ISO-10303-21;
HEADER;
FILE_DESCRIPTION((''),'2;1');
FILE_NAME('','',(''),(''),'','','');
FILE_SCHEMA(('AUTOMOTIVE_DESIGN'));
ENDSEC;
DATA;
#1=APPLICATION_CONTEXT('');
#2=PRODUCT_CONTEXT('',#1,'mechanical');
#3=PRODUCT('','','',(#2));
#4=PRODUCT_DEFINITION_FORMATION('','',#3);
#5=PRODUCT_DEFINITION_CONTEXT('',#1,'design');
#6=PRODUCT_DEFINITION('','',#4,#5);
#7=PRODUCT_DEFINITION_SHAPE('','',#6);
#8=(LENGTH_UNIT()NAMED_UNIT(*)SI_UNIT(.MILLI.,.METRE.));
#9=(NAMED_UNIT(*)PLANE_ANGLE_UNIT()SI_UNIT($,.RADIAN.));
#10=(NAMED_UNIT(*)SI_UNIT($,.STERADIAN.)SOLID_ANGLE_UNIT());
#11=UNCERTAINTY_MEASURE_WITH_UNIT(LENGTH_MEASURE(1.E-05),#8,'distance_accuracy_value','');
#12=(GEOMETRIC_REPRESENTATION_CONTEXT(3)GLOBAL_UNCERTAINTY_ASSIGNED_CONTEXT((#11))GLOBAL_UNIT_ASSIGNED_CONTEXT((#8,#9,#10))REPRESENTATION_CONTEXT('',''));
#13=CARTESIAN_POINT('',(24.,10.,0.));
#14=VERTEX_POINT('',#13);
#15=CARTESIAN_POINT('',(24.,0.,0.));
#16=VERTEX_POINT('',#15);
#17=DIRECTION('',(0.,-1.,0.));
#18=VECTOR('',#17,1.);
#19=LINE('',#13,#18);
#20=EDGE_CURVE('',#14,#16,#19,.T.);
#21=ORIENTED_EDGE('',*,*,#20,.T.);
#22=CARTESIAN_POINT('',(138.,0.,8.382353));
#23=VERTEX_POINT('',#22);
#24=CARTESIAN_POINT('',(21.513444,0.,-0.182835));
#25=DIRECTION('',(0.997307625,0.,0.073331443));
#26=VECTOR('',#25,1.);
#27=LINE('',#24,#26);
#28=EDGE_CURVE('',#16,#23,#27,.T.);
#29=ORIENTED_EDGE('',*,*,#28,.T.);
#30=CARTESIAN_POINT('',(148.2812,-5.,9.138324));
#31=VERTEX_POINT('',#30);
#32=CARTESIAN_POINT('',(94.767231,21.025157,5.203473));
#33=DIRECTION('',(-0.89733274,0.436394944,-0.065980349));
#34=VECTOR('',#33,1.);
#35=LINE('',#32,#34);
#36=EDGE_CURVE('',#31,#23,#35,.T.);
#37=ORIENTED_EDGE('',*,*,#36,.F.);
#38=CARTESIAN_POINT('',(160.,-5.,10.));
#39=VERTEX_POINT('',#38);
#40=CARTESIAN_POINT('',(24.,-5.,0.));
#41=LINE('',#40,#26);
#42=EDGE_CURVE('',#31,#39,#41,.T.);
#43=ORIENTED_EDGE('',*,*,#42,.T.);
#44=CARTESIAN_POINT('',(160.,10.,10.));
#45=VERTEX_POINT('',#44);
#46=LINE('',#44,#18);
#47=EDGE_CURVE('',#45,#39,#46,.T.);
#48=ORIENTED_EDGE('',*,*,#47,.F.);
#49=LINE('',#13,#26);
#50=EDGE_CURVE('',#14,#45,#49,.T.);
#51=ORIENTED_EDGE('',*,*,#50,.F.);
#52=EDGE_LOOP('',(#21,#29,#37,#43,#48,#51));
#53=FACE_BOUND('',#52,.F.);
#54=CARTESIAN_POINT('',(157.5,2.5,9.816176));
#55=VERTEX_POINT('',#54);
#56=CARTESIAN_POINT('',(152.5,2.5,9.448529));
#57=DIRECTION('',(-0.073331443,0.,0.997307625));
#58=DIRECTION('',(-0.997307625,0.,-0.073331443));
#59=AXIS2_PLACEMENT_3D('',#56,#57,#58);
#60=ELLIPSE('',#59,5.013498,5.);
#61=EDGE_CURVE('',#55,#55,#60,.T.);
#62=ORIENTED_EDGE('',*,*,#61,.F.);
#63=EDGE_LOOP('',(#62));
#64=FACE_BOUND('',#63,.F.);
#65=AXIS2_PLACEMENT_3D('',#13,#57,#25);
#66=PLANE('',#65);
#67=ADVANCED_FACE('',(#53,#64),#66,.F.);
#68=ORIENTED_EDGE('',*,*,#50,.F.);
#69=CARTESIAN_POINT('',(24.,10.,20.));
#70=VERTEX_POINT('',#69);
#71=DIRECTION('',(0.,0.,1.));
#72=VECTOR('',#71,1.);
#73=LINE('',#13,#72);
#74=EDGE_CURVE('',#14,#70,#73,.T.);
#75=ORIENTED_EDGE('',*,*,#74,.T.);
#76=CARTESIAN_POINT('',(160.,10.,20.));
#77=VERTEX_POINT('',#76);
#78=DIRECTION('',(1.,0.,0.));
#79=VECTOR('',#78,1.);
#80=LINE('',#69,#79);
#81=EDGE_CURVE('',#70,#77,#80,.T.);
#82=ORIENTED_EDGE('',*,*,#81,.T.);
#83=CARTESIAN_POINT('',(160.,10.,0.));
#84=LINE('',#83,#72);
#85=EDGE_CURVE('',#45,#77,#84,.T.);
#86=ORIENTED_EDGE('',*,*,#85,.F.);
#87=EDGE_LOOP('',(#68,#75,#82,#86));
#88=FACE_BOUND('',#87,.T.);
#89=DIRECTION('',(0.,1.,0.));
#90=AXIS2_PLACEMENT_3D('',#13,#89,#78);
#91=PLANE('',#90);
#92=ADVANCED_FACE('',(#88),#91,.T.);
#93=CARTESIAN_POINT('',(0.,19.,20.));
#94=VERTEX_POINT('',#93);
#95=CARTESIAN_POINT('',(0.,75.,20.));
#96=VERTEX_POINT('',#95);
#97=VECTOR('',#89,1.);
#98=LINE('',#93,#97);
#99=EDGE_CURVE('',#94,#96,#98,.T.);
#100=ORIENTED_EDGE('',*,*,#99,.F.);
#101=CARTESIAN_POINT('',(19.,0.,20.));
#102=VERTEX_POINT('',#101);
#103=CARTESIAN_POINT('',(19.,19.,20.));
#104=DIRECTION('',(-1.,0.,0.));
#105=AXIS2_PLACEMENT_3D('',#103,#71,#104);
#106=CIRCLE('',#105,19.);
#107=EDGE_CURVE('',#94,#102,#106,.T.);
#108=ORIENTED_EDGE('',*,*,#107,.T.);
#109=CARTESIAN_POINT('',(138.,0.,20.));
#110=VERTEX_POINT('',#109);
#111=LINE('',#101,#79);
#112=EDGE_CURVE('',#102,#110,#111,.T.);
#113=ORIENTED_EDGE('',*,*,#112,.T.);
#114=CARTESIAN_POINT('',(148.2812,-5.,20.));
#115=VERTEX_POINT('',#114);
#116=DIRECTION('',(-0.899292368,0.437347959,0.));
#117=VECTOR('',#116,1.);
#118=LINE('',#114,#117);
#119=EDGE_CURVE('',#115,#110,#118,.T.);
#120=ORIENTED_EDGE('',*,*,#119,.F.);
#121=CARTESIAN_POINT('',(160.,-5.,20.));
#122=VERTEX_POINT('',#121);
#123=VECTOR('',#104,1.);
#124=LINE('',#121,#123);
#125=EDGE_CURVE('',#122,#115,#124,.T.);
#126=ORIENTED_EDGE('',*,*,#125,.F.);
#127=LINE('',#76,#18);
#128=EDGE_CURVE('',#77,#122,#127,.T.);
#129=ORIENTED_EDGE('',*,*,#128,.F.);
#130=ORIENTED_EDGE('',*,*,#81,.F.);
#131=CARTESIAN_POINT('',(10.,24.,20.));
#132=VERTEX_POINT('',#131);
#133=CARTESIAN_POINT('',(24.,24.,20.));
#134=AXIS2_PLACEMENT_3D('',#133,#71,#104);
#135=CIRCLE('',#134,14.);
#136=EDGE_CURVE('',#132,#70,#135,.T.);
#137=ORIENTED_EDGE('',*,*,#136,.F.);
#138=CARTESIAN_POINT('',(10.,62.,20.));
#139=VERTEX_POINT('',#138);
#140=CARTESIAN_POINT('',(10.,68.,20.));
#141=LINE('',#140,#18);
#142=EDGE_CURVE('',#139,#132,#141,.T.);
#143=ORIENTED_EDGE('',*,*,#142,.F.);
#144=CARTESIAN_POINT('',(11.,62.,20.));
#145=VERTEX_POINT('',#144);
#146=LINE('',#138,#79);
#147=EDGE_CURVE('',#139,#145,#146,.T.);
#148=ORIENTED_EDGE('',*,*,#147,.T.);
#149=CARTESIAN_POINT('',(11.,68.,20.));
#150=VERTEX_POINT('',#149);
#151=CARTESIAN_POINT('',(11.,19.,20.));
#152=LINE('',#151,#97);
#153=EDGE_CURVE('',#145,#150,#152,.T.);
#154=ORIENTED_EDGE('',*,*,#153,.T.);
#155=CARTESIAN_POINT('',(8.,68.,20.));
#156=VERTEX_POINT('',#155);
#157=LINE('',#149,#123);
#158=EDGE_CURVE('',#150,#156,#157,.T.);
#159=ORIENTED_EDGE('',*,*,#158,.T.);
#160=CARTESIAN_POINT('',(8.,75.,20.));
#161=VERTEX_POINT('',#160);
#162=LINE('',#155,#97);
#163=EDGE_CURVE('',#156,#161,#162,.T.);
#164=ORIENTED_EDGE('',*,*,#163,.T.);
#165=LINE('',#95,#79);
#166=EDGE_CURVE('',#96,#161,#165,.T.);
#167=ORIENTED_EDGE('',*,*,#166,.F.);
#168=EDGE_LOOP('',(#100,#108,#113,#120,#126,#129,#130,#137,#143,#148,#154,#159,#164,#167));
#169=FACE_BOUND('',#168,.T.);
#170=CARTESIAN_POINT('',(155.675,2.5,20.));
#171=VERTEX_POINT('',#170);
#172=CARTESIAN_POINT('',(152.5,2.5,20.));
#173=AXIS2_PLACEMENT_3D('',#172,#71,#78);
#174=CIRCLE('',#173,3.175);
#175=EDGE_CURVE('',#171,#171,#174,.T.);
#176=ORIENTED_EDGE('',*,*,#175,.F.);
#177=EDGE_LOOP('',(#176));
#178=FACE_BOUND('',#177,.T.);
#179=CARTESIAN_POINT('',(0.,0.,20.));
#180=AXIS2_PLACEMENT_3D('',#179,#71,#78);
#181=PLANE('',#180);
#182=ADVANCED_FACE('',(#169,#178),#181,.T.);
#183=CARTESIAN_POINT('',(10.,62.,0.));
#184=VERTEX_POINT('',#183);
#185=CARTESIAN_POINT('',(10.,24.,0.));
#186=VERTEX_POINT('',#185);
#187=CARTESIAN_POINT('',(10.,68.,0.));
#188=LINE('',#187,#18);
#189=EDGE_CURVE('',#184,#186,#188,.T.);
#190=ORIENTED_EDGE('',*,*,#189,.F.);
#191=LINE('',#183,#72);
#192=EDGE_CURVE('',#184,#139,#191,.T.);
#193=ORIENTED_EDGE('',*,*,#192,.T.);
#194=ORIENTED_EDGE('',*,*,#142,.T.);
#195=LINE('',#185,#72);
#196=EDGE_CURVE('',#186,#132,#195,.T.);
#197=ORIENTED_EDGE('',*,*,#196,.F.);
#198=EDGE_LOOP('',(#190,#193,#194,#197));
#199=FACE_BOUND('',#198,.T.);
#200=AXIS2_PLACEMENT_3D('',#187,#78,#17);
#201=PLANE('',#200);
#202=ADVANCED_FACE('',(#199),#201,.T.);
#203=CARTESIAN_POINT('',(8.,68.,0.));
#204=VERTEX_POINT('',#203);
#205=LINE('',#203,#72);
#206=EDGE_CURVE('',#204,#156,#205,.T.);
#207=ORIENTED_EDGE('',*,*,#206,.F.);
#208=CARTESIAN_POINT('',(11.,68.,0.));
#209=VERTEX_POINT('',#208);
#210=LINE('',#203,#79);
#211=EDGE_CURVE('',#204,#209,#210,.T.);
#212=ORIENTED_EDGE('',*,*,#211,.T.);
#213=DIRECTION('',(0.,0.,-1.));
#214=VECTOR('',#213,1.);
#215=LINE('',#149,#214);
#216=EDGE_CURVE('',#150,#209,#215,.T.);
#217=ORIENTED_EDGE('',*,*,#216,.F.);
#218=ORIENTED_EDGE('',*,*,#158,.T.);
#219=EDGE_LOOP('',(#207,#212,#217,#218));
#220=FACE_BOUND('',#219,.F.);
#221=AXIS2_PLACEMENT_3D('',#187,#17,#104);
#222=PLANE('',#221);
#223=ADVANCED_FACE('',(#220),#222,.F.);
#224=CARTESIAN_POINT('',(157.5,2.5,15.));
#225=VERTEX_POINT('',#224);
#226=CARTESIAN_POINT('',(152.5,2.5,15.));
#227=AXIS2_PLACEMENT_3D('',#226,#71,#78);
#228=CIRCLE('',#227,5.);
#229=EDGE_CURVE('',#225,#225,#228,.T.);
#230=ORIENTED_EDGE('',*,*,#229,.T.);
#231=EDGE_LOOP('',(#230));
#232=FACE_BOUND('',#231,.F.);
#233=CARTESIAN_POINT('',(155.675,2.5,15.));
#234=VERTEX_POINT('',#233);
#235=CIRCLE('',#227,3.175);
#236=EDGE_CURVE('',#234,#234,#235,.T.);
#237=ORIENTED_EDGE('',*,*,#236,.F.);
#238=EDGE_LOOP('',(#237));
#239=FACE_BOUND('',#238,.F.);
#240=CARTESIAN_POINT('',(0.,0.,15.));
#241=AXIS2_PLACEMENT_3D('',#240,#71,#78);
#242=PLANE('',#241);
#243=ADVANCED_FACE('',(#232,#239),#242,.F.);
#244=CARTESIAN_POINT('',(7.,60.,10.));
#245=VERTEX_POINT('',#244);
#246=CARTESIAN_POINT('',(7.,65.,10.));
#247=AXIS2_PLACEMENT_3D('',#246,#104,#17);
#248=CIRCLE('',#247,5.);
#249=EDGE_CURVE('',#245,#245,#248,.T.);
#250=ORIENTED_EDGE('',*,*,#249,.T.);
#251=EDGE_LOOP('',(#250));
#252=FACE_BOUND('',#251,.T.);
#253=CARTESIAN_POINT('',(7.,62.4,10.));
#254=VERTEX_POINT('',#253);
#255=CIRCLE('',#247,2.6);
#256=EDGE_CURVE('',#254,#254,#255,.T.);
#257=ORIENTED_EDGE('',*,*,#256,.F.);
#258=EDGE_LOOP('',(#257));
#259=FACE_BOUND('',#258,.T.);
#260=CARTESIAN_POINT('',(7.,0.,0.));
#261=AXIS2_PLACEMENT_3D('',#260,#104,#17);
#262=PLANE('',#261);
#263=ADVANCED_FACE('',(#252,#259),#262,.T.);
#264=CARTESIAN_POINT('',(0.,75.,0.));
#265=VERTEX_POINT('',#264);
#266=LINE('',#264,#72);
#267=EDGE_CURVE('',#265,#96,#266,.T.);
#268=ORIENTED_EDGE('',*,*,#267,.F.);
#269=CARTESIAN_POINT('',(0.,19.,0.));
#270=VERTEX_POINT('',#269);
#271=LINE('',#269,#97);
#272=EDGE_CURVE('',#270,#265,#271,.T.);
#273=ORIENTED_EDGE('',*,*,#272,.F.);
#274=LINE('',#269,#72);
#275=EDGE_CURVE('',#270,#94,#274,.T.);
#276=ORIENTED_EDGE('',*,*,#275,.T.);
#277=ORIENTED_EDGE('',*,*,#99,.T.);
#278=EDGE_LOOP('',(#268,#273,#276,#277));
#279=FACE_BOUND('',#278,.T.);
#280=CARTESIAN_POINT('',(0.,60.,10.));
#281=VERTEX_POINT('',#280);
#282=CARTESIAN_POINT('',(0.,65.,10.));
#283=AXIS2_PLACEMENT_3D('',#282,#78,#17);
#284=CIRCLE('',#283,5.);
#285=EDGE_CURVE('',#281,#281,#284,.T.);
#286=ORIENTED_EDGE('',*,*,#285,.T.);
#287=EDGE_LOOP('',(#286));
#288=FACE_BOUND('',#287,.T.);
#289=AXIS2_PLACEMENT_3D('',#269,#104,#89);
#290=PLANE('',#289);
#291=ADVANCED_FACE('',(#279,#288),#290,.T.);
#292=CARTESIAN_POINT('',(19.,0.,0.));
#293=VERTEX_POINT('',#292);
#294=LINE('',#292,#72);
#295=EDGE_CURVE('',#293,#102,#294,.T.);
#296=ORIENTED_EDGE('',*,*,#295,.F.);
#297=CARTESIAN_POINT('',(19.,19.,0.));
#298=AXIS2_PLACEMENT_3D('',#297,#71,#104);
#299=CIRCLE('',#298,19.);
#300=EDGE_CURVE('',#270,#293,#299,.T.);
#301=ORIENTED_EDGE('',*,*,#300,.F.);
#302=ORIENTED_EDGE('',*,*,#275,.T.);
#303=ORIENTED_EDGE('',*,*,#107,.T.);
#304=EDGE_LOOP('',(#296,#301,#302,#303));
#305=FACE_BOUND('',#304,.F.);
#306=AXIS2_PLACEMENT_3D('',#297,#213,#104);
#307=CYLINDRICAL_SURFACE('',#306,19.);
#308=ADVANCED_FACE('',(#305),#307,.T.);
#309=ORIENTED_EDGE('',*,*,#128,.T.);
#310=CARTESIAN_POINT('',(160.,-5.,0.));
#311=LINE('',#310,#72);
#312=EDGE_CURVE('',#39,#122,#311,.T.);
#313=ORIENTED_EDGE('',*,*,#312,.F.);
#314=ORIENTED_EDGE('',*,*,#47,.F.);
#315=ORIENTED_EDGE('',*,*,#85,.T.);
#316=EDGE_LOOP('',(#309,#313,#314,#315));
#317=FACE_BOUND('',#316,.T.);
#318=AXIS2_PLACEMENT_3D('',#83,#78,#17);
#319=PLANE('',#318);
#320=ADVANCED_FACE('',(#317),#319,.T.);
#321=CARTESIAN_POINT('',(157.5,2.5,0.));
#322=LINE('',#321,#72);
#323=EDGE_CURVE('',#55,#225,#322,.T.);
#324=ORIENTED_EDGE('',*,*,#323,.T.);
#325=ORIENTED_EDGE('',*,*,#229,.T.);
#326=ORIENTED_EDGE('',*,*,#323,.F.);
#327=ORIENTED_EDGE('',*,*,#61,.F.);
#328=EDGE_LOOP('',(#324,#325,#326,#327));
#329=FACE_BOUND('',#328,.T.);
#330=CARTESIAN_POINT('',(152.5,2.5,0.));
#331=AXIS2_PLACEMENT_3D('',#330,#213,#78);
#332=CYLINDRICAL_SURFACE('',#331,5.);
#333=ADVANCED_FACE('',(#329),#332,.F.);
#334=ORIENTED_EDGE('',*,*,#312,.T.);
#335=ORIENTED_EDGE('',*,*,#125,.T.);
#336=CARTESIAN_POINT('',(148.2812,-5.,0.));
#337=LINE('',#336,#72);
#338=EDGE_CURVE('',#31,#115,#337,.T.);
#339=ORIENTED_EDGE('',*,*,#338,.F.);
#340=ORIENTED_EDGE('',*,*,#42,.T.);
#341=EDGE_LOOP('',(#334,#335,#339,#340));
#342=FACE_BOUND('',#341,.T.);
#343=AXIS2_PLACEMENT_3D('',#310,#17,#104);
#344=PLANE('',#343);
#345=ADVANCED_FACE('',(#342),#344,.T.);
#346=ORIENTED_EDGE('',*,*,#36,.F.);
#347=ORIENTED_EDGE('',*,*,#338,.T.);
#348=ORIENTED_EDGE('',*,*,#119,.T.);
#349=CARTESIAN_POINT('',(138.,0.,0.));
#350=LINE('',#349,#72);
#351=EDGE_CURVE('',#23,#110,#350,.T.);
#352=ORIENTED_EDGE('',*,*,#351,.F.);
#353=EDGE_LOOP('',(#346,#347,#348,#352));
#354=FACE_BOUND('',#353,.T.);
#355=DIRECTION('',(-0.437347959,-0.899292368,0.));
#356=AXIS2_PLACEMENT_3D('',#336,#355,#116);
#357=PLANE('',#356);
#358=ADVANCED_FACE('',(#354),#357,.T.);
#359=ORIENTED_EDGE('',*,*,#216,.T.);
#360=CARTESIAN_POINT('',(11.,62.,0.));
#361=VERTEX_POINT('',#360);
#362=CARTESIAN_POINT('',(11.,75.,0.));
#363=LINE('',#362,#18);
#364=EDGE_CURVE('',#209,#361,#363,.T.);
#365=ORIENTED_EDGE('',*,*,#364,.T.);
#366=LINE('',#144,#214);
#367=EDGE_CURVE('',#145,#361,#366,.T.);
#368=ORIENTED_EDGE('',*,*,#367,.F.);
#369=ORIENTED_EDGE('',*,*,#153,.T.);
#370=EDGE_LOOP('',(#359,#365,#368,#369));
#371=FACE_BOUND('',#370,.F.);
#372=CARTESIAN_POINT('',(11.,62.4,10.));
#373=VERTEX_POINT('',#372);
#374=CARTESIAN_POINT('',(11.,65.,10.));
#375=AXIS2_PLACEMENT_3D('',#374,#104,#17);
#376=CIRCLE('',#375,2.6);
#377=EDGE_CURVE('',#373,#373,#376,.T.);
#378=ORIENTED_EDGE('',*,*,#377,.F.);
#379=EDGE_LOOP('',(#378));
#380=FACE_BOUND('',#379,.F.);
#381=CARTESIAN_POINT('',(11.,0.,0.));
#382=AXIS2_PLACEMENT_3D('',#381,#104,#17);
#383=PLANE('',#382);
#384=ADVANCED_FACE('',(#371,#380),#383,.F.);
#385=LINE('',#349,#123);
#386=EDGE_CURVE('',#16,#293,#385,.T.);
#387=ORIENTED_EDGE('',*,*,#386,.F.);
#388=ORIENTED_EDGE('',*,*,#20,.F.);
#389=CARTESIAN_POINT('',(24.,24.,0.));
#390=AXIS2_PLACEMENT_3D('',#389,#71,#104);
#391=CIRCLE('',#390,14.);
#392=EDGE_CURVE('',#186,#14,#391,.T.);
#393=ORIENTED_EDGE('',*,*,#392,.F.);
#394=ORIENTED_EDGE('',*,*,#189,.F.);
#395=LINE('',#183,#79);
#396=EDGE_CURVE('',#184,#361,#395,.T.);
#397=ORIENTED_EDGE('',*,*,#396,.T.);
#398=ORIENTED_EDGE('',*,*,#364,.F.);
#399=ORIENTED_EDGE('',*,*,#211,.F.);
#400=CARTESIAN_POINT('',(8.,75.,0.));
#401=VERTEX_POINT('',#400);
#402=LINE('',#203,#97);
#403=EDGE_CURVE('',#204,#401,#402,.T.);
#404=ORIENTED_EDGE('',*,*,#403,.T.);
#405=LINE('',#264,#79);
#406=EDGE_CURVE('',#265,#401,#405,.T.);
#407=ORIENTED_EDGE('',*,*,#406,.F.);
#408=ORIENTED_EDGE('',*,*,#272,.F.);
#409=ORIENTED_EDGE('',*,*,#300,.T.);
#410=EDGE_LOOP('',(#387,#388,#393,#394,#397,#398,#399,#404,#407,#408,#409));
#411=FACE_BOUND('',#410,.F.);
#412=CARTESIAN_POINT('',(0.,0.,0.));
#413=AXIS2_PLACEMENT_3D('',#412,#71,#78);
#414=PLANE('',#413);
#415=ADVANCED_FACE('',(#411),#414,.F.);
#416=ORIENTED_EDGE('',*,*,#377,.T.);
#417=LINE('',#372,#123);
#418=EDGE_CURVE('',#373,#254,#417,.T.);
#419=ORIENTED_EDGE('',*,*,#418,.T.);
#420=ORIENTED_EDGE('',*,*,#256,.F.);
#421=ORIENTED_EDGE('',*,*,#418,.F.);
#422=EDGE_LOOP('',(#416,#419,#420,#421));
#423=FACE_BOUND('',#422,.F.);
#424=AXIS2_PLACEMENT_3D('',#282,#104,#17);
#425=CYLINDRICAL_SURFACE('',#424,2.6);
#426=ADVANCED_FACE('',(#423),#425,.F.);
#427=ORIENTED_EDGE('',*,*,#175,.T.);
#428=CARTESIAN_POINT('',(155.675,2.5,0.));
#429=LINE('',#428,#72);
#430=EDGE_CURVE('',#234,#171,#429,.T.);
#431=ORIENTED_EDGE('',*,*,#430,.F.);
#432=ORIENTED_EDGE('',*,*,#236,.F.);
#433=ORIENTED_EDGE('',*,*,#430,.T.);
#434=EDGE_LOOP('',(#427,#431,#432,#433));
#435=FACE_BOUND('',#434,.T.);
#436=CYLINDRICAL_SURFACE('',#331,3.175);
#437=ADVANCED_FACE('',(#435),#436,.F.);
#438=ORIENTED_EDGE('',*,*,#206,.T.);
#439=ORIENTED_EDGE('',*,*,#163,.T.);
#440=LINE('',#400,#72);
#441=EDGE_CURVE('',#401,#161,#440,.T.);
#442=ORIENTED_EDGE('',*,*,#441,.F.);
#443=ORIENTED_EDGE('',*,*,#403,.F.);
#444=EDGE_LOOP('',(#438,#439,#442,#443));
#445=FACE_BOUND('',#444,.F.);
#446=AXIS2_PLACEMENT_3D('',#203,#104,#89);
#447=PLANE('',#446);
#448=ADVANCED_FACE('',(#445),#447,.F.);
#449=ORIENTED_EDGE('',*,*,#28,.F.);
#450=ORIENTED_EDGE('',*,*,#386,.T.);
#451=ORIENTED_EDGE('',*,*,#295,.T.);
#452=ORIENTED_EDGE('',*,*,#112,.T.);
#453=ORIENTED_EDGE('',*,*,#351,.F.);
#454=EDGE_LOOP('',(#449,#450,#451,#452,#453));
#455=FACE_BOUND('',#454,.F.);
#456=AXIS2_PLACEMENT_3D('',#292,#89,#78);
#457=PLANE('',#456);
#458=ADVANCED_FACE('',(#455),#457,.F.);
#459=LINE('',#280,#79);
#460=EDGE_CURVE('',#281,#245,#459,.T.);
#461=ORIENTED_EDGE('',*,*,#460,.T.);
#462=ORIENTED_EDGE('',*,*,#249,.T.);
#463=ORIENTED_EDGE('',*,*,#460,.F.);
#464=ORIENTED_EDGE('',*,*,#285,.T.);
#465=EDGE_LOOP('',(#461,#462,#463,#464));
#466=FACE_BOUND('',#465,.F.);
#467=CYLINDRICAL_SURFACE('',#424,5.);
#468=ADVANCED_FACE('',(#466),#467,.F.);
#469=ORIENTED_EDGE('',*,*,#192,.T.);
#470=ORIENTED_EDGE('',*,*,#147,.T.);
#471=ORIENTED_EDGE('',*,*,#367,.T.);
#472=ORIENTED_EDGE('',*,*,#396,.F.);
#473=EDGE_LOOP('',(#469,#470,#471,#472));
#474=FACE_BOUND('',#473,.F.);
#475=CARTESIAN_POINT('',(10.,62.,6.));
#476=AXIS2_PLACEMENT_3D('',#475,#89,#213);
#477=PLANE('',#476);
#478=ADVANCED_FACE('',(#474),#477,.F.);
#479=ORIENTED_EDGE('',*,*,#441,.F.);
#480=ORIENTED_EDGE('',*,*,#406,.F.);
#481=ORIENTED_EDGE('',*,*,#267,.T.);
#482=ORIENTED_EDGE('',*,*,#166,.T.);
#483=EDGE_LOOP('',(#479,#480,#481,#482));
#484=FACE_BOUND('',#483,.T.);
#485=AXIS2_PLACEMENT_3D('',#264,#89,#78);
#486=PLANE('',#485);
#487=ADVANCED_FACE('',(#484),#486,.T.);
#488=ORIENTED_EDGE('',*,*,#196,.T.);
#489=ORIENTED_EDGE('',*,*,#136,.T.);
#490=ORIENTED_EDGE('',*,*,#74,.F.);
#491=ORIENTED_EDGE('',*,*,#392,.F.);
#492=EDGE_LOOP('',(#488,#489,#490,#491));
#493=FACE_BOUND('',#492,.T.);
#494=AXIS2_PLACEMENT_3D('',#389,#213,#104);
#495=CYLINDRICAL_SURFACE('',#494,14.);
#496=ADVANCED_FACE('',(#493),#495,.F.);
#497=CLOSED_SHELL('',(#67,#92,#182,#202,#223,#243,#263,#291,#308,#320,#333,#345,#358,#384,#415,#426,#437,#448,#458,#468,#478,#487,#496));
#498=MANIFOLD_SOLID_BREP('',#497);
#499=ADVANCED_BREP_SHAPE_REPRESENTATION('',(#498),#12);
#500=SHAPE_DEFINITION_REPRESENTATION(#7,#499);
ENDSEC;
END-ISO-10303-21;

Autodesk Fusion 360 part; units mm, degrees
sketch "Sketch1" plane through (0, 0, 0) normal (0, 0, 1) x (1, 0, 0)
  line L0 (0, 19) -> (0, 75)
  line L1 (0, 75) -> (8, 75)
  line L2 (10, 68) -> (10, 24)
  line L3 (24, 10) -> (160, 10)
  line L4 (10, 68) -> (8, 68)
  line L5 (8, 68) -> (8, 75)
  arc A0 (0, 19) -> (19, 0) centre (19, 19) ccw
  arc A1 (10, 24) -> (24, 10) centre (24, 24) ccw
  circle A2 centre (152.5, 2.5) radius 3.175
  circle A3 centre (152.5, 2.5) radius 5
  line L6 (160, -5) -> (148.2812, -5)
  line L7 (148.2812, -5) -> (138, 0)
  line L8 (19, 0) -> (138, 0)
  line L9 (160, 10) -> (160, -5)
  line L10 (24, 10) -> (24, 0)
  point P0 (10, 10)
  dimension "d1" = 7
  dimension "d2" = 75
  dimension "d5" = 19
  dimension "d6" = 14
  dimension "d13" = 6.35
  dimension "d14" = 10
  dimension "d18" = 7.5
  dimension "d19" = 15
  dimension "d20" = 119
  dimension "d42" = 7.5
  dimension "d43" = 160
extrude "Extrude1" add sketch "Sketch1" along normal blind 20 contours L0 L1 L2 L4 L5 A0 A1 L8 L10 | L3 L6 L7 L8 L9 L10 | A3
extrude "Extrude3" cut sketch "Sketch1" along normal blind 15 contours A3
sketch "Sketch2" plane through (0, 0, 0) normal (-1, 0, 0) x (0, -1, 0)
  line L0 (-75, 0) -> (-19, 0)
  line L1 (-19, 0) -> (-19, 20)
  line L2 (-19, 20) -> (-75, 20)
  line L3 (-75, 20) -> (-75, 0)
  circle A0 centre (-65, 10) radius 2.6
  circle A1 centre (-65, 10) radius 5
  line L4 (-68, 20) -> (-68, 0)
  line L5 (-62, 20) -> (-62, 0)
  dimension "d23" = 5.2
  dimension "d24" = 10
  dimension "d25" = 10
  dimension "d26" = 10
  dimension "d31" = 20
  dimension "d32" = 20
  dimension "d33" = 7
  dimension "d34" = 13
extrude "Extrude4" cut sketch "Sketch2" against normal blind 10 contours A0
extrude "Extrude5" cut sketch "Sketch2" against normal blind 7 contours A1 L4 L5 | A1 L4 | A1 L5
extrude "Extrude6" add sketch "Sketch2" against normal blind 1 from surface at -10 contours L0 A1 L4 L5 | A1 L4 L5 | L2 A1 L4 L5
sketch "Sketch5" plane through (0, 10, 0) normal (0, 1, 0) x (-1, 0, 0)
  line L0 (-160, 0) -> (-24, 0)
  line L1 (-24, 0) -> (-24, 20)
  line L2 (-24, 20) -> (-160, 20)
  line L3 (-160, 20) -> (-160, 0)
  line L4 (-24, 0) -> (-160, 10)
extrude "Extrude8" cut sketch "Sketch5" against normal blind 15 contours L0 L3 L4
equation "d20 = 69 mm + 50 mm"
